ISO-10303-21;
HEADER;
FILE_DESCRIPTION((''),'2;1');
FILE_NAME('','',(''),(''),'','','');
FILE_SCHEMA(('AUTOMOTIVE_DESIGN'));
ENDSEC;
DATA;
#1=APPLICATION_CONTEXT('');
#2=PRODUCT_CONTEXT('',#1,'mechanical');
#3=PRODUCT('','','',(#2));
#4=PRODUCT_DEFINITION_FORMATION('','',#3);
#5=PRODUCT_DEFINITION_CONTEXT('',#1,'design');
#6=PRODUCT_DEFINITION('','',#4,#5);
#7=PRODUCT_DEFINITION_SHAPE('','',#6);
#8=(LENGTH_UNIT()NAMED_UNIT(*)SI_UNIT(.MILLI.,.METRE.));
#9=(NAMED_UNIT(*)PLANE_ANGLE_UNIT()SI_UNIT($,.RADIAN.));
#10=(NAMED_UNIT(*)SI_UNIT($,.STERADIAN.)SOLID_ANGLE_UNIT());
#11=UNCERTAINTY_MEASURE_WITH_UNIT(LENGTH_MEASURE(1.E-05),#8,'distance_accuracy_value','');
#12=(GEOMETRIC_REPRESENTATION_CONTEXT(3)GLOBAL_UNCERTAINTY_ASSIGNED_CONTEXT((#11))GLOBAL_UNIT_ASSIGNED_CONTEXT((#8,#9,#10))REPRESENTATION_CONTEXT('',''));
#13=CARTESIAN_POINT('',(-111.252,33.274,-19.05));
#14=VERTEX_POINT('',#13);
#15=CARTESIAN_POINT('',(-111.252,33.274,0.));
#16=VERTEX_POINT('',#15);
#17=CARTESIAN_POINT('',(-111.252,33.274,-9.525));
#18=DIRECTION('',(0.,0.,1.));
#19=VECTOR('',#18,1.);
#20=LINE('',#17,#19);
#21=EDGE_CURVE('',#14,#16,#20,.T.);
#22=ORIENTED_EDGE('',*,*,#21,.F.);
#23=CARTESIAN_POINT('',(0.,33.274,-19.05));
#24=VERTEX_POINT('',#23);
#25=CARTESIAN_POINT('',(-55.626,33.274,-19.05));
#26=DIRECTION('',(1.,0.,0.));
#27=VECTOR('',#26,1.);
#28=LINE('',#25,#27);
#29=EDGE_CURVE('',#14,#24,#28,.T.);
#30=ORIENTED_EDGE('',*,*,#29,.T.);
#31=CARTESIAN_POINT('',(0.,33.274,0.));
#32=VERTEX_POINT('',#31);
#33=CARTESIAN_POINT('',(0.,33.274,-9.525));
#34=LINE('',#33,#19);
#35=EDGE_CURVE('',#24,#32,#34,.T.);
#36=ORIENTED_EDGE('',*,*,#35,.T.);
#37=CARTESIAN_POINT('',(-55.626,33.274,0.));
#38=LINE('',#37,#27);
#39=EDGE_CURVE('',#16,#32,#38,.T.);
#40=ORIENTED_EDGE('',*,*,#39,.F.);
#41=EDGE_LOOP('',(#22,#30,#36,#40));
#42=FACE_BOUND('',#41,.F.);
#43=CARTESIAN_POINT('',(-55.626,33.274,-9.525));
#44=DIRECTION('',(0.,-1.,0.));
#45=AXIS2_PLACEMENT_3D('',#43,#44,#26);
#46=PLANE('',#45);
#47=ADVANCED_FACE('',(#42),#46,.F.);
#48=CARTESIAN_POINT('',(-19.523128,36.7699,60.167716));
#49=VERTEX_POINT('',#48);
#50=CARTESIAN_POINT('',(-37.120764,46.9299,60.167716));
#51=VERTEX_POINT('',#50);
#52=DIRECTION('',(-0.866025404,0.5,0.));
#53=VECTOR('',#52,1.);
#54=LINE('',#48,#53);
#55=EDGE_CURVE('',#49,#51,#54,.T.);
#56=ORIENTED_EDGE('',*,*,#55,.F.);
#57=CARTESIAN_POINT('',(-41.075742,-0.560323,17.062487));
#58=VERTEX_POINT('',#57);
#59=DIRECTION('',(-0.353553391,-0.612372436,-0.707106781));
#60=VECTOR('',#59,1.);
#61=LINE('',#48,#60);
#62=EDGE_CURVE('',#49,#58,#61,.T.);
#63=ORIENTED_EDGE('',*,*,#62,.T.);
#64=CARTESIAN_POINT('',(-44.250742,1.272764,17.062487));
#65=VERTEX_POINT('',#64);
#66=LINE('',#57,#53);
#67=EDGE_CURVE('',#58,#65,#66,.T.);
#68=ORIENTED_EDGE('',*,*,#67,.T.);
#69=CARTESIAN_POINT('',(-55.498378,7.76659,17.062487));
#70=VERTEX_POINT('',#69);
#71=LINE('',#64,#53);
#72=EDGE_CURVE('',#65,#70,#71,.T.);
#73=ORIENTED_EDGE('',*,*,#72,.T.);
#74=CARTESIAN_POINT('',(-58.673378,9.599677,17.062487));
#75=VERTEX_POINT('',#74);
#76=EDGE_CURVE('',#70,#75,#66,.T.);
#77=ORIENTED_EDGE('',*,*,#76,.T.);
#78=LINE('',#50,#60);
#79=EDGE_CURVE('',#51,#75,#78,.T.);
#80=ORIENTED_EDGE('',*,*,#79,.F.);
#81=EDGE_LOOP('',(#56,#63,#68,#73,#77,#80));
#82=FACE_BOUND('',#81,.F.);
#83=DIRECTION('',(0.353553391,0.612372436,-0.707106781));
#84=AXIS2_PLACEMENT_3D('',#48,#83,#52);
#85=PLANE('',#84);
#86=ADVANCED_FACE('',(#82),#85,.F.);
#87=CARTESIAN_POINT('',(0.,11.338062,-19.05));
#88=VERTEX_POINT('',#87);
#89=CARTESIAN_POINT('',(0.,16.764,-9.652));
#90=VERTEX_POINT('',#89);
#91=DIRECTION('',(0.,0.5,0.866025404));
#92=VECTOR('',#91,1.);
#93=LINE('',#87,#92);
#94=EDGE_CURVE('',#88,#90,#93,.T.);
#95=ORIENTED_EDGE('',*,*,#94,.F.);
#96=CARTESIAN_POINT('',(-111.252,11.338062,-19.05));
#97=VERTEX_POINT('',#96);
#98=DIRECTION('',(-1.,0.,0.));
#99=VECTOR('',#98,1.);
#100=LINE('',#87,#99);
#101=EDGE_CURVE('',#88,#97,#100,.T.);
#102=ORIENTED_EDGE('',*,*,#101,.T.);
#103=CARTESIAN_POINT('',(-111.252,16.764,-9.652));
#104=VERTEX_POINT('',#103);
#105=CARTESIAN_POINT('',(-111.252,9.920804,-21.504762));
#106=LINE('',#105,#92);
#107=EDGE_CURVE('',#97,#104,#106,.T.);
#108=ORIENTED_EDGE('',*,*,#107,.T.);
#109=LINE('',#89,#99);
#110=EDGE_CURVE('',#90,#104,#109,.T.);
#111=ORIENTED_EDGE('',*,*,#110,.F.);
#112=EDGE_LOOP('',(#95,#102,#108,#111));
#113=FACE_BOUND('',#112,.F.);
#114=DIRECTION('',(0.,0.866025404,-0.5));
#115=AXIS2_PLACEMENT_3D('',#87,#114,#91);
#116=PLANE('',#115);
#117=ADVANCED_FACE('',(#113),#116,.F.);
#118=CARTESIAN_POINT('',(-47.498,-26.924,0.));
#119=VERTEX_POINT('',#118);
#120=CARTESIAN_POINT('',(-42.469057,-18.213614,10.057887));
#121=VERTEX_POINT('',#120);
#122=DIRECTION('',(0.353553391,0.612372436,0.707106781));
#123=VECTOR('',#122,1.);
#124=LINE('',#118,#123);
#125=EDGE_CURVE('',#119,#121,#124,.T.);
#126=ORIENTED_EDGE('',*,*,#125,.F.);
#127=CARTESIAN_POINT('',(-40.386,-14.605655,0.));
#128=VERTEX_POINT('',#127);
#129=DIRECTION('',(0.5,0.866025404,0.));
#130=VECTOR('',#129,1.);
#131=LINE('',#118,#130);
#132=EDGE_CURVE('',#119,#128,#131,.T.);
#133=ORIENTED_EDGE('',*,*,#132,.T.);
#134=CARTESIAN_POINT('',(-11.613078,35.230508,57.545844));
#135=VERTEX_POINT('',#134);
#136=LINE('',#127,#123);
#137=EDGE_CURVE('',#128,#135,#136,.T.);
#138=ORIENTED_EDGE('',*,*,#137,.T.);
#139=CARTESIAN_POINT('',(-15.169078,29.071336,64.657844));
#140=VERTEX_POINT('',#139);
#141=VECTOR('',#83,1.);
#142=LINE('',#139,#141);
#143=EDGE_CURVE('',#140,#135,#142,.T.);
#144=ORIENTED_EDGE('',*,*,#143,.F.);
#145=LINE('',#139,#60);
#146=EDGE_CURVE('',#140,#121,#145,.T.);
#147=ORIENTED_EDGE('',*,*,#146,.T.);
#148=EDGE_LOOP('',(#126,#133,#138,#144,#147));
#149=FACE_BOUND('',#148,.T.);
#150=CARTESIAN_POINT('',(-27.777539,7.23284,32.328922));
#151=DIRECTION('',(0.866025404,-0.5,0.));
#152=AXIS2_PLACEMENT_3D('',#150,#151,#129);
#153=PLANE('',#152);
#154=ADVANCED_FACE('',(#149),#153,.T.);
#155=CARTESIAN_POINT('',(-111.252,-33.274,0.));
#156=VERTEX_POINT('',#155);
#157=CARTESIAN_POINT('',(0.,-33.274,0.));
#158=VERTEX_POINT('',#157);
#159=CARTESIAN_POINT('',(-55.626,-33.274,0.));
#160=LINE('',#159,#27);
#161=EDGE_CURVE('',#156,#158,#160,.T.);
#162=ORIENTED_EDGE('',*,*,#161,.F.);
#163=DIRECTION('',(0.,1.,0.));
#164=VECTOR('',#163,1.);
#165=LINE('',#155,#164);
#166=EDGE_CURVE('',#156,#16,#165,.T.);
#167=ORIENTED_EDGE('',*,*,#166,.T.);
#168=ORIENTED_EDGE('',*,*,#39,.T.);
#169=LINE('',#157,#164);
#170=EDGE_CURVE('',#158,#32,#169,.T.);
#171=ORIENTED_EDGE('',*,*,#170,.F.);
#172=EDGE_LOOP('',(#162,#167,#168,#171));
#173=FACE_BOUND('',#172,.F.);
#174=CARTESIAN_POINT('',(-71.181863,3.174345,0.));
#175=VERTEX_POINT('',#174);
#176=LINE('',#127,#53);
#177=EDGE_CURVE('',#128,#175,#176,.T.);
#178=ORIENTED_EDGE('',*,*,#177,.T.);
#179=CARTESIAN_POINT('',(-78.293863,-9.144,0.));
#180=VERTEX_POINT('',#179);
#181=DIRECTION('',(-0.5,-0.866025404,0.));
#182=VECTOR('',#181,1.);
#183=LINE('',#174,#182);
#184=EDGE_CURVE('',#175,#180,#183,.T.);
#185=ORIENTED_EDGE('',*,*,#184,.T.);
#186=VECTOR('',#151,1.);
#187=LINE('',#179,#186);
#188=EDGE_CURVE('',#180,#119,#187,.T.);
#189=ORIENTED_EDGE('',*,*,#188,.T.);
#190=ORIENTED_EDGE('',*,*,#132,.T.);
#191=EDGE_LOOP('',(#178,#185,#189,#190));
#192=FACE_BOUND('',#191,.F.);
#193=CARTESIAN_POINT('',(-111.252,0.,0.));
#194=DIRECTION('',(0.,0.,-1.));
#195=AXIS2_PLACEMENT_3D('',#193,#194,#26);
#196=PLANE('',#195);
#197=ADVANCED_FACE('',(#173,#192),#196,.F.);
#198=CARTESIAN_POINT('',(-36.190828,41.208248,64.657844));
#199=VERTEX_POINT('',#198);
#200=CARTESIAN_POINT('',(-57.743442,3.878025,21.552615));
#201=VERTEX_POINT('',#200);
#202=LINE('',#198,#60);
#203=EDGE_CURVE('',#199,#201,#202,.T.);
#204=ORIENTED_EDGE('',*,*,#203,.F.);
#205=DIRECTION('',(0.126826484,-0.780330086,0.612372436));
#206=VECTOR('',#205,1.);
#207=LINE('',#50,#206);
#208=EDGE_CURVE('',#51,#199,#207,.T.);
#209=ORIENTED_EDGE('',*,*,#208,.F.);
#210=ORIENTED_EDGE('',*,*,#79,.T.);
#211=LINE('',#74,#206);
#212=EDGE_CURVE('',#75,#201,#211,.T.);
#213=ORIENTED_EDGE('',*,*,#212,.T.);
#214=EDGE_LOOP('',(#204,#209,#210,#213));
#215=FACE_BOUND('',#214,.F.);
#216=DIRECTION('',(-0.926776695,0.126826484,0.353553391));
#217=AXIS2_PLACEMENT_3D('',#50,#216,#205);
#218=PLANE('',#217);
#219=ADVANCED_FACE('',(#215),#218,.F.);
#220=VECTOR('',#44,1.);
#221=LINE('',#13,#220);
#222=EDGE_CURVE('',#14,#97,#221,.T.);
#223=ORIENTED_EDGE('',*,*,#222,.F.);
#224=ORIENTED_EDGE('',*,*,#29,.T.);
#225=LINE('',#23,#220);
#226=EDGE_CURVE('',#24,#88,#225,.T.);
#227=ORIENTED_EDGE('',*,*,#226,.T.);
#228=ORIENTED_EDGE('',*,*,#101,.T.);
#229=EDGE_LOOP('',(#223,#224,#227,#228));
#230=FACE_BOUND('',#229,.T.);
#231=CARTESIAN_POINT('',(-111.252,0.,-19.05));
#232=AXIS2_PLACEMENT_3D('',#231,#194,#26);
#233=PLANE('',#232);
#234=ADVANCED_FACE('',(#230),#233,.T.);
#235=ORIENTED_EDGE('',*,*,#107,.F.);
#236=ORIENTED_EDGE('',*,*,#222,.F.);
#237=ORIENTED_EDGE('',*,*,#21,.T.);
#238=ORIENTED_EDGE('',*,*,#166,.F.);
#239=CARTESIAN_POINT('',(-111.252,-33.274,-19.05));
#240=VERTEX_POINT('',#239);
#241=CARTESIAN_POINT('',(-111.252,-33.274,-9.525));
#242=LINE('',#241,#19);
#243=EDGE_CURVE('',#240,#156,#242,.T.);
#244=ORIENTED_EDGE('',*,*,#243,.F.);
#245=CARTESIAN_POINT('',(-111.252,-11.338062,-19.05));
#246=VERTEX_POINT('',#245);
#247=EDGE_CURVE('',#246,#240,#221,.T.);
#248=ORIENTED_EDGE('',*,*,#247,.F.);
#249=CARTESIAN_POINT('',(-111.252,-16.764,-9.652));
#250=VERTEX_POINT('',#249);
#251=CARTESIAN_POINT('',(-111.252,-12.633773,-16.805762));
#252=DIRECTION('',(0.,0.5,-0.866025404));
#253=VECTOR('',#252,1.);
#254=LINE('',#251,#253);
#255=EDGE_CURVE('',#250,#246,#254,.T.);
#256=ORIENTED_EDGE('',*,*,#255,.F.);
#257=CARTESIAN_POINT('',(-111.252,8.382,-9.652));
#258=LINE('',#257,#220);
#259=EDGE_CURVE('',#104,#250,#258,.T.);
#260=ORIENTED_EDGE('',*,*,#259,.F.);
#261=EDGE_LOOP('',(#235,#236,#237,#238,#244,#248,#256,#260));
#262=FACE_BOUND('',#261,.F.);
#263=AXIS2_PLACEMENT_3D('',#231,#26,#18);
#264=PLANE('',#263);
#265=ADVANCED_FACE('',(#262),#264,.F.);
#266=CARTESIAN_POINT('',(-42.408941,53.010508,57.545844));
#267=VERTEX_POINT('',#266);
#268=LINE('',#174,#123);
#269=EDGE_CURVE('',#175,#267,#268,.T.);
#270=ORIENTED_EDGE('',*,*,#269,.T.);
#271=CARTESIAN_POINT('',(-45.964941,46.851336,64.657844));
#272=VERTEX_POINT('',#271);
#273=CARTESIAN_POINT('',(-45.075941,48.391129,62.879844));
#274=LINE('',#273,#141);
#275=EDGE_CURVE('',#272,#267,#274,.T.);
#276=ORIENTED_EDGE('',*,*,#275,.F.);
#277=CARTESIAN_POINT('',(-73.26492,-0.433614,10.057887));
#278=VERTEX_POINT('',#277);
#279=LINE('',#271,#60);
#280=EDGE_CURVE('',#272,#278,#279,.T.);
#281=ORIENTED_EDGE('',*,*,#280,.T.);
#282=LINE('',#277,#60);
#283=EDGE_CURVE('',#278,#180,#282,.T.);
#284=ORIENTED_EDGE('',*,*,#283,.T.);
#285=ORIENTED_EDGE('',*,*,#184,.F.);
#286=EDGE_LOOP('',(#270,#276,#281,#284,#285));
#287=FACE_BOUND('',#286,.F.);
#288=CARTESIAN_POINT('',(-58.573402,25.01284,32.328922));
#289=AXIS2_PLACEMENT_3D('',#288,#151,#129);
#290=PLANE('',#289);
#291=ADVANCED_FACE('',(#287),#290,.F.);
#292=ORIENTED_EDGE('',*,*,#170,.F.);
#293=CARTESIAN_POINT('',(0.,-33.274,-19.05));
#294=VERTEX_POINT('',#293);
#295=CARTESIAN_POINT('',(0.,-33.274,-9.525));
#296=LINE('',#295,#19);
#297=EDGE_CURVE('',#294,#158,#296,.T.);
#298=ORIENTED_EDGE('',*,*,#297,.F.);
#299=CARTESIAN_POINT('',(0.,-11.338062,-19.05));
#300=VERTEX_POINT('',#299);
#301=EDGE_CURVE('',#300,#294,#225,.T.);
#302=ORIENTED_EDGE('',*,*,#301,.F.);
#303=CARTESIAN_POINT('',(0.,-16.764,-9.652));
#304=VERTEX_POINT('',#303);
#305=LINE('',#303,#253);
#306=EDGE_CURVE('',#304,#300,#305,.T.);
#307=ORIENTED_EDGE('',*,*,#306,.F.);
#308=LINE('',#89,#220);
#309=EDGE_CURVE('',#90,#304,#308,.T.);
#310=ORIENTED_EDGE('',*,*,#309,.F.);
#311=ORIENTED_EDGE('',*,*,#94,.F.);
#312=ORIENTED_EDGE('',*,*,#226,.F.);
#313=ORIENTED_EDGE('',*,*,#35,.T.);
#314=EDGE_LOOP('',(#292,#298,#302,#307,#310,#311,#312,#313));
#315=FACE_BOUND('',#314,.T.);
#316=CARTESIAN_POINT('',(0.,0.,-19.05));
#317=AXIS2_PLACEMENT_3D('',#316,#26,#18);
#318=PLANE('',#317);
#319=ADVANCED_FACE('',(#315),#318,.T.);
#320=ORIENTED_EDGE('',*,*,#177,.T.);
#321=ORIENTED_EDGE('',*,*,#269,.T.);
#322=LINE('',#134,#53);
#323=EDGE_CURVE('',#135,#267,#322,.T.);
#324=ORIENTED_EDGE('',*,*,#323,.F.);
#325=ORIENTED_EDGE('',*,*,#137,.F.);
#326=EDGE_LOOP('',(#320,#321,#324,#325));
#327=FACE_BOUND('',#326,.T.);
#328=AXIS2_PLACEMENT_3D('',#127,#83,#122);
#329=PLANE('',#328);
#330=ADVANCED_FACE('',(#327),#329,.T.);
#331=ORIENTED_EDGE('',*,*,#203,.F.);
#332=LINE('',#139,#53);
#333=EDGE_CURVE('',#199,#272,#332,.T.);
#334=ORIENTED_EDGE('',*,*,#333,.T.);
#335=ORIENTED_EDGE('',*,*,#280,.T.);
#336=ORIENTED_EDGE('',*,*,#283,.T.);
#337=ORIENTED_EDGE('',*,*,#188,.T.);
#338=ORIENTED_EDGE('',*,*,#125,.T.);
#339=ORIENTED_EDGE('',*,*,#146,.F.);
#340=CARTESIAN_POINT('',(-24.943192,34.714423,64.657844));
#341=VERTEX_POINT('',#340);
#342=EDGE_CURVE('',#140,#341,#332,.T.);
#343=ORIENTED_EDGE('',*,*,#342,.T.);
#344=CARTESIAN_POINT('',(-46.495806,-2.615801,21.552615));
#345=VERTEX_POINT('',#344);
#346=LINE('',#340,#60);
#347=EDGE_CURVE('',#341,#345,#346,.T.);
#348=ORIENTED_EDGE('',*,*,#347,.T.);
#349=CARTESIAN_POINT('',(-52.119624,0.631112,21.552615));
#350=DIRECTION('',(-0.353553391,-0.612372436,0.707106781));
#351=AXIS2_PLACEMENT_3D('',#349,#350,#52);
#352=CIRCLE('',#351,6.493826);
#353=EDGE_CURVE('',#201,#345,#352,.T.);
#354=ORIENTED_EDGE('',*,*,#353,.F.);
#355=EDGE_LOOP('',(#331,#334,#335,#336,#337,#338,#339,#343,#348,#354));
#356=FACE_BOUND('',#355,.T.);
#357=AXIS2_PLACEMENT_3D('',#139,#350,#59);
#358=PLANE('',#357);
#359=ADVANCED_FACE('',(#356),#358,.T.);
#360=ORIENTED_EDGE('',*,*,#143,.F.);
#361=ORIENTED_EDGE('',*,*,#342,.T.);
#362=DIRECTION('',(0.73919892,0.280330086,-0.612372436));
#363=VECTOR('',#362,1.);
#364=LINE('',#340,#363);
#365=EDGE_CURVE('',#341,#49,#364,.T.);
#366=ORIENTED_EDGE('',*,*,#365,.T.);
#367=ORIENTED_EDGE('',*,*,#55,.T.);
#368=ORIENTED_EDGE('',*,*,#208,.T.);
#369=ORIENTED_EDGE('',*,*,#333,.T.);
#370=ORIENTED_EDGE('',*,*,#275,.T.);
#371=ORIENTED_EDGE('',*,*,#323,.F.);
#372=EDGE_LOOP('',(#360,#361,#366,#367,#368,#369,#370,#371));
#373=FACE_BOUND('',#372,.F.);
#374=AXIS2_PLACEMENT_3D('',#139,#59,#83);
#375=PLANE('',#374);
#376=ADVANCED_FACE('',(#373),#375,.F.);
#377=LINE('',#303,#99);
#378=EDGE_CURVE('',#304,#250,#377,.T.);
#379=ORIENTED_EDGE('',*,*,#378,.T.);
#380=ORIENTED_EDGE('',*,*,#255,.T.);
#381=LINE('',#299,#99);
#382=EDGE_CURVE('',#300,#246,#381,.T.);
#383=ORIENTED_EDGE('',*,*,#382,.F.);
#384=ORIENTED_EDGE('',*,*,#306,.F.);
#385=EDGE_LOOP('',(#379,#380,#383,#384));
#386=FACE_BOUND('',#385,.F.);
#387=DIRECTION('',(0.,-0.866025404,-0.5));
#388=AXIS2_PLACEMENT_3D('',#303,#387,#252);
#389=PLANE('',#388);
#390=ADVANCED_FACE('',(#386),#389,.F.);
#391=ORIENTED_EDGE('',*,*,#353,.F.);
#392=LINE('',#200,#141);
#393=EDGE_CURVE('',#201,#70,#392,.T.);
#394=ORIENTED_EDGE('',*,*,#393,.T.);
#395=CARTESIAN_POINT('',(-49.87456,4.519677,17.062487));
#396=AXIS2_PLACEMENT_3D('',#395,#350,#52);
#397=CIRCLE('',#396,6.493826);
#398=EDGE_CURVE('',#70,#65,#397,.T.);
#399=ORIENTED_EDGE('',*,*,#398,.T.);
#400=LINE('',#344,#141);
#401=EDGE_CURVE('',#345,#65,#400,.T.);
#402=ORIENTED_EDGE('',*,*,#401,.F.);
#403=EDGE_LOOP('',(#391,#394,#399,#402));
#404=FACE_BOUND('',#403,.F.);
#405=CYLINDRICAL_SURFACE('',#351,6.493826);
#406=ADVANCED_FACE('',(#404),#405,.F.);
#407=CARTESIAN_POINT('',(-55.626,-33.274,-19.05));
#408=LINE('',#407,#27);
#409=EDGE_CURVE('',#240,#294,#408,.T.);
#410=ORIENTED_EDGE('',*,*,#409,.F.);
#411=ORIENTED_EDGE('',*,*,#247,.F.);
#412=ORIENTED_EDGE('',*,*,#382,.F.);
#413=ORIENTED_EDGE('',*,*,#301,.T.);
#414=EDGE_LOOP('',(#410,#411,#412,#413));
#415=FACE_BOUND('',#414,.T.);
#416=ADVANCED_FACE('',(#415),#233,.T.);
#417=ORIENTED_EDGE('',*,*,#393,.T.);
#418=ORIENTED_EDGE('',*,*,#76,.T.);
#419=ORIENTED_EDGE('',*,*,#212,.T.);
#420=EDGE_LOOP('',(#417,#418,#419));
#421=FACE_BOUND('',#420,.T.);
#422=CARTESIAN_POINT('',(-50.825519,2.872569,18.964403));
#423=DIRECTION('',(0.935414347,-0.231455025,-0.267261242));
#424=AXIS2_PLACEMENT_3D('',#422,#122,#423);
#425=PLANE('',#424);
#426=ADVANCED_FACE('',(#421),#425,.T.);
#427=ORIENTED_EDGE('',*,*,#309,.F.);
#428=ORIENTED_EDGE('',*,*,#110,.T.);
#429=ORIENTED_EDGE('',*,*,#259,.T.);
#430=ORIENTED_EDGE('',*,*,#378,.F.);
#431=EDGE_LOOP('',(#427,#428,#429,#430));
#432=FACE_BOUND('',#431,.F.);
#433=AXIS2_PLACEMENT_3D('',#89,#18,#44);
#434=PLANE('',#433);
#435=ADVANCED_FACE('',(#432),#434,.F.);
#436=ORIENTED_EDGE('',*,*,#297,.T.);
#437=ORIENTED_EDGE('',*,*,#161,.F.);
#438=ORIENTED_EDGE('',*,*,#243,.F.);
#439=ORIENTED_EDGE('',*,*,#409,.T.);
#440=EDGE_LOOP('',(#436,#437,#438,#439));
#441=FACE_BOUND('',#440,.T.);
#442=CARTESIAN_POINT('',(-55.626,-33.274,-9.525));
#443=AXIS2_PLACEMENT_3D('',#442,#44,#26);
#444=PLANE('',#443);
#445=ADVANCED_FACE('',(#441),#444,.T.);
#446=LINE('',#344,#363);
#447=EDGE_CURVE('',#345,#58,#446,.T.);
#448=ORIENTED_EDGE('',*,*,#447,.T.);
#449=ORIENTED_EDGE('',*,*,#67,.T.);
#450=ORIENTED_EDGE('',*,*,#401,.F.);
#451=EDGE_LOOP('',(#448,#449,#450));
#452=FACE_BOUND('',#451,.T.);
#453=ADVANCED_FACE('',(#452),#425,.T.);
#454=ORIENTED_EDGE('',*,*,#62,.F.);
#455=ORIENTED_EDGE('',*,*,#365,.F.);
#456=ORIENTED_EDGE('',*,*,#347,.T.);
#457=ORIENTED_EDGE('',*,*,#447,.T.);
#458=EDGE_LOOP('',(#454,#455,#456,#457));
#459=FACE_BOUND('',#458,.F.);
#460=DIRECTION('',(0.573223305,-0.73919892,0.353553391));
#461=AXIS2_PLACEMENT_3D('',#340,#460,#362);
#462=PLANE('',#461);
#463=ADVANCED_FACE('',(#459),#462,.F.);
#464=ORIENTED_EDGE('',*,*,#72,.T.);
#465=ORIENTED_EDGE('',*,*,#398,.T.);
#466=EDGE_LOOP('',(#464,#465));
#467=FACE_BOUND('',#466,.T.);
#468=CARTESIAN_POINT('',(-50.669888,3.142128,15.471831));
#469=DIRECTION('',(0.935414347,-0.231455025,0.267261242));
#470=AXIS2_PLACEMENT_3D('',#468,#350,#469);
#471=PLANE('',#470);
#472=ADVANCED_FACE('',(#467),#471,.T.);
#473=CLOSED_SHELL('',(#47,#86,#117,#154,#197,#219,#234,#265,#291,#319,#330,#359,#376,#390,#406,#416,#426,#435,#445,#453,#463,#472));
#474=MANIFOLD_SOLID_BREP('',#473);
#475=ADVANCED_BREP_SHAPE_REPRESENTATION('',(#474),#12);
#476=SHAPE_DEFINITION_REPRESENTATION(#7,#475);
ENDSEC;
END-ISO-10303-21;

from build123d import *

# Parameters (mm, degrees)
F0_W      = 111.252
F0_H      = 19.05
F1_DEPTH  = 33.274
F3_DEPTH  = 111.253
F5_ANGLE  = 45
F7_DEPTH  = 35.56
F9_DEPTH  = 98.2604240246
F11_DEPTH = 60.96
F13_DEPTH = 6.35


with BuildPart() as f1:
    # F0 (on Front) → F1 (new body, symmetric)
    with BuildSketch(Plane.XZ):
        with Locations((-55.626, -9.525)):
            Rectangle(F0_W, F0_H)
    extrude(amount=F1_DEPTH, both=True)

    # F2 (on Right) → F3 (cut, through all)
    with BuildSketch(Plane.YZ):
        Polygon((-11.3380621702, -19.05), (11.3380621702, -19.05), (16.764, -9.652), (-16.764, -9.652), align=None)
    extrude(amount=-F3_DEPTH, mode=Mode.SUBTRACT)

    # F4 (on Top) → F5 (revolve)
    with BuildSketch(Plane.XY):
        Polygon((-78.2938633586, -9.144), (-47.498, -26.924), (-40.386, -14.6056546566), (-71.1818633586, 3.1743453434), align=None)
    revolve(axis=Axis((-62.8959316793, -18.034, 0), (0.8660254038, -0.5, 0)), revolution_arc=F5_ANGLE)

    # F6 (on face) → F7 (join)
    with BuildSketch(Plane(origin=(-23.9650660143, 13.8362373145, 0), x_dir=(0.5, 0.8660254038, 0), z_dir=(0.8660254038, -0.5, 0))):
        Polygon((17.5919761002, 64.6578440717), (-47.0658679715, 0), (-32.8418679715, 0), (31.8159761002, 64.6578440717), align=None)
    extrude(amount=-F7_DEPTH)

    # F8 (on face) → F9 (cut, through all)
    with BuildSketch(Plane(origin=(-23.9650660143, 13.8362373145, 0), x_dir=(0.5, 0.8660254038, 0), z_dir=(0.8660254038, -0.5, 0))):
        Polygon((31.8159761002, 64.6578440717), (17.5919761002, 64.6578440717), (24.7039761002, 57.5458440717), align=None)
    extrude(amount=-F9_DEPTH, mode=Mode.SUBTRACT)

    # F10 (on face) → F11 (cut)
    with BuildSketch(Plane(origin=(20.562455043, 35.6152168628, 41.124910086), x_dir=(0.9354143467, -0.2314550249, -0.2672612419), z_dir=(0.3535533906, 0.6123724357, 0.7071067812))):
        Polygon((-42.8532903043, -11.5935840247), (-61.6659547317, -3.9133459332), (-60.671811363, -11.1779871697), (-48.6475824802, -16.0868580553), align=None)
    extrude(amount=-F11_DEPTH, mode=Mode.SUBTRACT)

    # F12 (on face) → F13 (cut)
    with BuildSketch(Plane(origin=(-11.7664669929, -20.3801186572, 23.5329339857), x_dir=(0.9354143467, -0.2314550249, 0.2672612419), z_dir=(-0.3535533906, -0.6123724357, 0.7071067812))):
        with BuildLine():
            Line((-37.1272253429, 12.1321385858), (-49.1514542257, 17.0410094713))
            ThreePointArc((-49.1514542257, 17.0410094713), (-45.5937752271, 8.5744595872), (-37.1272253429, 12.1321385858))
        make_face()
    extrude(amount=-F13_DEPTH, mode=Mode.SUBTRACT)


solid = f1.part
